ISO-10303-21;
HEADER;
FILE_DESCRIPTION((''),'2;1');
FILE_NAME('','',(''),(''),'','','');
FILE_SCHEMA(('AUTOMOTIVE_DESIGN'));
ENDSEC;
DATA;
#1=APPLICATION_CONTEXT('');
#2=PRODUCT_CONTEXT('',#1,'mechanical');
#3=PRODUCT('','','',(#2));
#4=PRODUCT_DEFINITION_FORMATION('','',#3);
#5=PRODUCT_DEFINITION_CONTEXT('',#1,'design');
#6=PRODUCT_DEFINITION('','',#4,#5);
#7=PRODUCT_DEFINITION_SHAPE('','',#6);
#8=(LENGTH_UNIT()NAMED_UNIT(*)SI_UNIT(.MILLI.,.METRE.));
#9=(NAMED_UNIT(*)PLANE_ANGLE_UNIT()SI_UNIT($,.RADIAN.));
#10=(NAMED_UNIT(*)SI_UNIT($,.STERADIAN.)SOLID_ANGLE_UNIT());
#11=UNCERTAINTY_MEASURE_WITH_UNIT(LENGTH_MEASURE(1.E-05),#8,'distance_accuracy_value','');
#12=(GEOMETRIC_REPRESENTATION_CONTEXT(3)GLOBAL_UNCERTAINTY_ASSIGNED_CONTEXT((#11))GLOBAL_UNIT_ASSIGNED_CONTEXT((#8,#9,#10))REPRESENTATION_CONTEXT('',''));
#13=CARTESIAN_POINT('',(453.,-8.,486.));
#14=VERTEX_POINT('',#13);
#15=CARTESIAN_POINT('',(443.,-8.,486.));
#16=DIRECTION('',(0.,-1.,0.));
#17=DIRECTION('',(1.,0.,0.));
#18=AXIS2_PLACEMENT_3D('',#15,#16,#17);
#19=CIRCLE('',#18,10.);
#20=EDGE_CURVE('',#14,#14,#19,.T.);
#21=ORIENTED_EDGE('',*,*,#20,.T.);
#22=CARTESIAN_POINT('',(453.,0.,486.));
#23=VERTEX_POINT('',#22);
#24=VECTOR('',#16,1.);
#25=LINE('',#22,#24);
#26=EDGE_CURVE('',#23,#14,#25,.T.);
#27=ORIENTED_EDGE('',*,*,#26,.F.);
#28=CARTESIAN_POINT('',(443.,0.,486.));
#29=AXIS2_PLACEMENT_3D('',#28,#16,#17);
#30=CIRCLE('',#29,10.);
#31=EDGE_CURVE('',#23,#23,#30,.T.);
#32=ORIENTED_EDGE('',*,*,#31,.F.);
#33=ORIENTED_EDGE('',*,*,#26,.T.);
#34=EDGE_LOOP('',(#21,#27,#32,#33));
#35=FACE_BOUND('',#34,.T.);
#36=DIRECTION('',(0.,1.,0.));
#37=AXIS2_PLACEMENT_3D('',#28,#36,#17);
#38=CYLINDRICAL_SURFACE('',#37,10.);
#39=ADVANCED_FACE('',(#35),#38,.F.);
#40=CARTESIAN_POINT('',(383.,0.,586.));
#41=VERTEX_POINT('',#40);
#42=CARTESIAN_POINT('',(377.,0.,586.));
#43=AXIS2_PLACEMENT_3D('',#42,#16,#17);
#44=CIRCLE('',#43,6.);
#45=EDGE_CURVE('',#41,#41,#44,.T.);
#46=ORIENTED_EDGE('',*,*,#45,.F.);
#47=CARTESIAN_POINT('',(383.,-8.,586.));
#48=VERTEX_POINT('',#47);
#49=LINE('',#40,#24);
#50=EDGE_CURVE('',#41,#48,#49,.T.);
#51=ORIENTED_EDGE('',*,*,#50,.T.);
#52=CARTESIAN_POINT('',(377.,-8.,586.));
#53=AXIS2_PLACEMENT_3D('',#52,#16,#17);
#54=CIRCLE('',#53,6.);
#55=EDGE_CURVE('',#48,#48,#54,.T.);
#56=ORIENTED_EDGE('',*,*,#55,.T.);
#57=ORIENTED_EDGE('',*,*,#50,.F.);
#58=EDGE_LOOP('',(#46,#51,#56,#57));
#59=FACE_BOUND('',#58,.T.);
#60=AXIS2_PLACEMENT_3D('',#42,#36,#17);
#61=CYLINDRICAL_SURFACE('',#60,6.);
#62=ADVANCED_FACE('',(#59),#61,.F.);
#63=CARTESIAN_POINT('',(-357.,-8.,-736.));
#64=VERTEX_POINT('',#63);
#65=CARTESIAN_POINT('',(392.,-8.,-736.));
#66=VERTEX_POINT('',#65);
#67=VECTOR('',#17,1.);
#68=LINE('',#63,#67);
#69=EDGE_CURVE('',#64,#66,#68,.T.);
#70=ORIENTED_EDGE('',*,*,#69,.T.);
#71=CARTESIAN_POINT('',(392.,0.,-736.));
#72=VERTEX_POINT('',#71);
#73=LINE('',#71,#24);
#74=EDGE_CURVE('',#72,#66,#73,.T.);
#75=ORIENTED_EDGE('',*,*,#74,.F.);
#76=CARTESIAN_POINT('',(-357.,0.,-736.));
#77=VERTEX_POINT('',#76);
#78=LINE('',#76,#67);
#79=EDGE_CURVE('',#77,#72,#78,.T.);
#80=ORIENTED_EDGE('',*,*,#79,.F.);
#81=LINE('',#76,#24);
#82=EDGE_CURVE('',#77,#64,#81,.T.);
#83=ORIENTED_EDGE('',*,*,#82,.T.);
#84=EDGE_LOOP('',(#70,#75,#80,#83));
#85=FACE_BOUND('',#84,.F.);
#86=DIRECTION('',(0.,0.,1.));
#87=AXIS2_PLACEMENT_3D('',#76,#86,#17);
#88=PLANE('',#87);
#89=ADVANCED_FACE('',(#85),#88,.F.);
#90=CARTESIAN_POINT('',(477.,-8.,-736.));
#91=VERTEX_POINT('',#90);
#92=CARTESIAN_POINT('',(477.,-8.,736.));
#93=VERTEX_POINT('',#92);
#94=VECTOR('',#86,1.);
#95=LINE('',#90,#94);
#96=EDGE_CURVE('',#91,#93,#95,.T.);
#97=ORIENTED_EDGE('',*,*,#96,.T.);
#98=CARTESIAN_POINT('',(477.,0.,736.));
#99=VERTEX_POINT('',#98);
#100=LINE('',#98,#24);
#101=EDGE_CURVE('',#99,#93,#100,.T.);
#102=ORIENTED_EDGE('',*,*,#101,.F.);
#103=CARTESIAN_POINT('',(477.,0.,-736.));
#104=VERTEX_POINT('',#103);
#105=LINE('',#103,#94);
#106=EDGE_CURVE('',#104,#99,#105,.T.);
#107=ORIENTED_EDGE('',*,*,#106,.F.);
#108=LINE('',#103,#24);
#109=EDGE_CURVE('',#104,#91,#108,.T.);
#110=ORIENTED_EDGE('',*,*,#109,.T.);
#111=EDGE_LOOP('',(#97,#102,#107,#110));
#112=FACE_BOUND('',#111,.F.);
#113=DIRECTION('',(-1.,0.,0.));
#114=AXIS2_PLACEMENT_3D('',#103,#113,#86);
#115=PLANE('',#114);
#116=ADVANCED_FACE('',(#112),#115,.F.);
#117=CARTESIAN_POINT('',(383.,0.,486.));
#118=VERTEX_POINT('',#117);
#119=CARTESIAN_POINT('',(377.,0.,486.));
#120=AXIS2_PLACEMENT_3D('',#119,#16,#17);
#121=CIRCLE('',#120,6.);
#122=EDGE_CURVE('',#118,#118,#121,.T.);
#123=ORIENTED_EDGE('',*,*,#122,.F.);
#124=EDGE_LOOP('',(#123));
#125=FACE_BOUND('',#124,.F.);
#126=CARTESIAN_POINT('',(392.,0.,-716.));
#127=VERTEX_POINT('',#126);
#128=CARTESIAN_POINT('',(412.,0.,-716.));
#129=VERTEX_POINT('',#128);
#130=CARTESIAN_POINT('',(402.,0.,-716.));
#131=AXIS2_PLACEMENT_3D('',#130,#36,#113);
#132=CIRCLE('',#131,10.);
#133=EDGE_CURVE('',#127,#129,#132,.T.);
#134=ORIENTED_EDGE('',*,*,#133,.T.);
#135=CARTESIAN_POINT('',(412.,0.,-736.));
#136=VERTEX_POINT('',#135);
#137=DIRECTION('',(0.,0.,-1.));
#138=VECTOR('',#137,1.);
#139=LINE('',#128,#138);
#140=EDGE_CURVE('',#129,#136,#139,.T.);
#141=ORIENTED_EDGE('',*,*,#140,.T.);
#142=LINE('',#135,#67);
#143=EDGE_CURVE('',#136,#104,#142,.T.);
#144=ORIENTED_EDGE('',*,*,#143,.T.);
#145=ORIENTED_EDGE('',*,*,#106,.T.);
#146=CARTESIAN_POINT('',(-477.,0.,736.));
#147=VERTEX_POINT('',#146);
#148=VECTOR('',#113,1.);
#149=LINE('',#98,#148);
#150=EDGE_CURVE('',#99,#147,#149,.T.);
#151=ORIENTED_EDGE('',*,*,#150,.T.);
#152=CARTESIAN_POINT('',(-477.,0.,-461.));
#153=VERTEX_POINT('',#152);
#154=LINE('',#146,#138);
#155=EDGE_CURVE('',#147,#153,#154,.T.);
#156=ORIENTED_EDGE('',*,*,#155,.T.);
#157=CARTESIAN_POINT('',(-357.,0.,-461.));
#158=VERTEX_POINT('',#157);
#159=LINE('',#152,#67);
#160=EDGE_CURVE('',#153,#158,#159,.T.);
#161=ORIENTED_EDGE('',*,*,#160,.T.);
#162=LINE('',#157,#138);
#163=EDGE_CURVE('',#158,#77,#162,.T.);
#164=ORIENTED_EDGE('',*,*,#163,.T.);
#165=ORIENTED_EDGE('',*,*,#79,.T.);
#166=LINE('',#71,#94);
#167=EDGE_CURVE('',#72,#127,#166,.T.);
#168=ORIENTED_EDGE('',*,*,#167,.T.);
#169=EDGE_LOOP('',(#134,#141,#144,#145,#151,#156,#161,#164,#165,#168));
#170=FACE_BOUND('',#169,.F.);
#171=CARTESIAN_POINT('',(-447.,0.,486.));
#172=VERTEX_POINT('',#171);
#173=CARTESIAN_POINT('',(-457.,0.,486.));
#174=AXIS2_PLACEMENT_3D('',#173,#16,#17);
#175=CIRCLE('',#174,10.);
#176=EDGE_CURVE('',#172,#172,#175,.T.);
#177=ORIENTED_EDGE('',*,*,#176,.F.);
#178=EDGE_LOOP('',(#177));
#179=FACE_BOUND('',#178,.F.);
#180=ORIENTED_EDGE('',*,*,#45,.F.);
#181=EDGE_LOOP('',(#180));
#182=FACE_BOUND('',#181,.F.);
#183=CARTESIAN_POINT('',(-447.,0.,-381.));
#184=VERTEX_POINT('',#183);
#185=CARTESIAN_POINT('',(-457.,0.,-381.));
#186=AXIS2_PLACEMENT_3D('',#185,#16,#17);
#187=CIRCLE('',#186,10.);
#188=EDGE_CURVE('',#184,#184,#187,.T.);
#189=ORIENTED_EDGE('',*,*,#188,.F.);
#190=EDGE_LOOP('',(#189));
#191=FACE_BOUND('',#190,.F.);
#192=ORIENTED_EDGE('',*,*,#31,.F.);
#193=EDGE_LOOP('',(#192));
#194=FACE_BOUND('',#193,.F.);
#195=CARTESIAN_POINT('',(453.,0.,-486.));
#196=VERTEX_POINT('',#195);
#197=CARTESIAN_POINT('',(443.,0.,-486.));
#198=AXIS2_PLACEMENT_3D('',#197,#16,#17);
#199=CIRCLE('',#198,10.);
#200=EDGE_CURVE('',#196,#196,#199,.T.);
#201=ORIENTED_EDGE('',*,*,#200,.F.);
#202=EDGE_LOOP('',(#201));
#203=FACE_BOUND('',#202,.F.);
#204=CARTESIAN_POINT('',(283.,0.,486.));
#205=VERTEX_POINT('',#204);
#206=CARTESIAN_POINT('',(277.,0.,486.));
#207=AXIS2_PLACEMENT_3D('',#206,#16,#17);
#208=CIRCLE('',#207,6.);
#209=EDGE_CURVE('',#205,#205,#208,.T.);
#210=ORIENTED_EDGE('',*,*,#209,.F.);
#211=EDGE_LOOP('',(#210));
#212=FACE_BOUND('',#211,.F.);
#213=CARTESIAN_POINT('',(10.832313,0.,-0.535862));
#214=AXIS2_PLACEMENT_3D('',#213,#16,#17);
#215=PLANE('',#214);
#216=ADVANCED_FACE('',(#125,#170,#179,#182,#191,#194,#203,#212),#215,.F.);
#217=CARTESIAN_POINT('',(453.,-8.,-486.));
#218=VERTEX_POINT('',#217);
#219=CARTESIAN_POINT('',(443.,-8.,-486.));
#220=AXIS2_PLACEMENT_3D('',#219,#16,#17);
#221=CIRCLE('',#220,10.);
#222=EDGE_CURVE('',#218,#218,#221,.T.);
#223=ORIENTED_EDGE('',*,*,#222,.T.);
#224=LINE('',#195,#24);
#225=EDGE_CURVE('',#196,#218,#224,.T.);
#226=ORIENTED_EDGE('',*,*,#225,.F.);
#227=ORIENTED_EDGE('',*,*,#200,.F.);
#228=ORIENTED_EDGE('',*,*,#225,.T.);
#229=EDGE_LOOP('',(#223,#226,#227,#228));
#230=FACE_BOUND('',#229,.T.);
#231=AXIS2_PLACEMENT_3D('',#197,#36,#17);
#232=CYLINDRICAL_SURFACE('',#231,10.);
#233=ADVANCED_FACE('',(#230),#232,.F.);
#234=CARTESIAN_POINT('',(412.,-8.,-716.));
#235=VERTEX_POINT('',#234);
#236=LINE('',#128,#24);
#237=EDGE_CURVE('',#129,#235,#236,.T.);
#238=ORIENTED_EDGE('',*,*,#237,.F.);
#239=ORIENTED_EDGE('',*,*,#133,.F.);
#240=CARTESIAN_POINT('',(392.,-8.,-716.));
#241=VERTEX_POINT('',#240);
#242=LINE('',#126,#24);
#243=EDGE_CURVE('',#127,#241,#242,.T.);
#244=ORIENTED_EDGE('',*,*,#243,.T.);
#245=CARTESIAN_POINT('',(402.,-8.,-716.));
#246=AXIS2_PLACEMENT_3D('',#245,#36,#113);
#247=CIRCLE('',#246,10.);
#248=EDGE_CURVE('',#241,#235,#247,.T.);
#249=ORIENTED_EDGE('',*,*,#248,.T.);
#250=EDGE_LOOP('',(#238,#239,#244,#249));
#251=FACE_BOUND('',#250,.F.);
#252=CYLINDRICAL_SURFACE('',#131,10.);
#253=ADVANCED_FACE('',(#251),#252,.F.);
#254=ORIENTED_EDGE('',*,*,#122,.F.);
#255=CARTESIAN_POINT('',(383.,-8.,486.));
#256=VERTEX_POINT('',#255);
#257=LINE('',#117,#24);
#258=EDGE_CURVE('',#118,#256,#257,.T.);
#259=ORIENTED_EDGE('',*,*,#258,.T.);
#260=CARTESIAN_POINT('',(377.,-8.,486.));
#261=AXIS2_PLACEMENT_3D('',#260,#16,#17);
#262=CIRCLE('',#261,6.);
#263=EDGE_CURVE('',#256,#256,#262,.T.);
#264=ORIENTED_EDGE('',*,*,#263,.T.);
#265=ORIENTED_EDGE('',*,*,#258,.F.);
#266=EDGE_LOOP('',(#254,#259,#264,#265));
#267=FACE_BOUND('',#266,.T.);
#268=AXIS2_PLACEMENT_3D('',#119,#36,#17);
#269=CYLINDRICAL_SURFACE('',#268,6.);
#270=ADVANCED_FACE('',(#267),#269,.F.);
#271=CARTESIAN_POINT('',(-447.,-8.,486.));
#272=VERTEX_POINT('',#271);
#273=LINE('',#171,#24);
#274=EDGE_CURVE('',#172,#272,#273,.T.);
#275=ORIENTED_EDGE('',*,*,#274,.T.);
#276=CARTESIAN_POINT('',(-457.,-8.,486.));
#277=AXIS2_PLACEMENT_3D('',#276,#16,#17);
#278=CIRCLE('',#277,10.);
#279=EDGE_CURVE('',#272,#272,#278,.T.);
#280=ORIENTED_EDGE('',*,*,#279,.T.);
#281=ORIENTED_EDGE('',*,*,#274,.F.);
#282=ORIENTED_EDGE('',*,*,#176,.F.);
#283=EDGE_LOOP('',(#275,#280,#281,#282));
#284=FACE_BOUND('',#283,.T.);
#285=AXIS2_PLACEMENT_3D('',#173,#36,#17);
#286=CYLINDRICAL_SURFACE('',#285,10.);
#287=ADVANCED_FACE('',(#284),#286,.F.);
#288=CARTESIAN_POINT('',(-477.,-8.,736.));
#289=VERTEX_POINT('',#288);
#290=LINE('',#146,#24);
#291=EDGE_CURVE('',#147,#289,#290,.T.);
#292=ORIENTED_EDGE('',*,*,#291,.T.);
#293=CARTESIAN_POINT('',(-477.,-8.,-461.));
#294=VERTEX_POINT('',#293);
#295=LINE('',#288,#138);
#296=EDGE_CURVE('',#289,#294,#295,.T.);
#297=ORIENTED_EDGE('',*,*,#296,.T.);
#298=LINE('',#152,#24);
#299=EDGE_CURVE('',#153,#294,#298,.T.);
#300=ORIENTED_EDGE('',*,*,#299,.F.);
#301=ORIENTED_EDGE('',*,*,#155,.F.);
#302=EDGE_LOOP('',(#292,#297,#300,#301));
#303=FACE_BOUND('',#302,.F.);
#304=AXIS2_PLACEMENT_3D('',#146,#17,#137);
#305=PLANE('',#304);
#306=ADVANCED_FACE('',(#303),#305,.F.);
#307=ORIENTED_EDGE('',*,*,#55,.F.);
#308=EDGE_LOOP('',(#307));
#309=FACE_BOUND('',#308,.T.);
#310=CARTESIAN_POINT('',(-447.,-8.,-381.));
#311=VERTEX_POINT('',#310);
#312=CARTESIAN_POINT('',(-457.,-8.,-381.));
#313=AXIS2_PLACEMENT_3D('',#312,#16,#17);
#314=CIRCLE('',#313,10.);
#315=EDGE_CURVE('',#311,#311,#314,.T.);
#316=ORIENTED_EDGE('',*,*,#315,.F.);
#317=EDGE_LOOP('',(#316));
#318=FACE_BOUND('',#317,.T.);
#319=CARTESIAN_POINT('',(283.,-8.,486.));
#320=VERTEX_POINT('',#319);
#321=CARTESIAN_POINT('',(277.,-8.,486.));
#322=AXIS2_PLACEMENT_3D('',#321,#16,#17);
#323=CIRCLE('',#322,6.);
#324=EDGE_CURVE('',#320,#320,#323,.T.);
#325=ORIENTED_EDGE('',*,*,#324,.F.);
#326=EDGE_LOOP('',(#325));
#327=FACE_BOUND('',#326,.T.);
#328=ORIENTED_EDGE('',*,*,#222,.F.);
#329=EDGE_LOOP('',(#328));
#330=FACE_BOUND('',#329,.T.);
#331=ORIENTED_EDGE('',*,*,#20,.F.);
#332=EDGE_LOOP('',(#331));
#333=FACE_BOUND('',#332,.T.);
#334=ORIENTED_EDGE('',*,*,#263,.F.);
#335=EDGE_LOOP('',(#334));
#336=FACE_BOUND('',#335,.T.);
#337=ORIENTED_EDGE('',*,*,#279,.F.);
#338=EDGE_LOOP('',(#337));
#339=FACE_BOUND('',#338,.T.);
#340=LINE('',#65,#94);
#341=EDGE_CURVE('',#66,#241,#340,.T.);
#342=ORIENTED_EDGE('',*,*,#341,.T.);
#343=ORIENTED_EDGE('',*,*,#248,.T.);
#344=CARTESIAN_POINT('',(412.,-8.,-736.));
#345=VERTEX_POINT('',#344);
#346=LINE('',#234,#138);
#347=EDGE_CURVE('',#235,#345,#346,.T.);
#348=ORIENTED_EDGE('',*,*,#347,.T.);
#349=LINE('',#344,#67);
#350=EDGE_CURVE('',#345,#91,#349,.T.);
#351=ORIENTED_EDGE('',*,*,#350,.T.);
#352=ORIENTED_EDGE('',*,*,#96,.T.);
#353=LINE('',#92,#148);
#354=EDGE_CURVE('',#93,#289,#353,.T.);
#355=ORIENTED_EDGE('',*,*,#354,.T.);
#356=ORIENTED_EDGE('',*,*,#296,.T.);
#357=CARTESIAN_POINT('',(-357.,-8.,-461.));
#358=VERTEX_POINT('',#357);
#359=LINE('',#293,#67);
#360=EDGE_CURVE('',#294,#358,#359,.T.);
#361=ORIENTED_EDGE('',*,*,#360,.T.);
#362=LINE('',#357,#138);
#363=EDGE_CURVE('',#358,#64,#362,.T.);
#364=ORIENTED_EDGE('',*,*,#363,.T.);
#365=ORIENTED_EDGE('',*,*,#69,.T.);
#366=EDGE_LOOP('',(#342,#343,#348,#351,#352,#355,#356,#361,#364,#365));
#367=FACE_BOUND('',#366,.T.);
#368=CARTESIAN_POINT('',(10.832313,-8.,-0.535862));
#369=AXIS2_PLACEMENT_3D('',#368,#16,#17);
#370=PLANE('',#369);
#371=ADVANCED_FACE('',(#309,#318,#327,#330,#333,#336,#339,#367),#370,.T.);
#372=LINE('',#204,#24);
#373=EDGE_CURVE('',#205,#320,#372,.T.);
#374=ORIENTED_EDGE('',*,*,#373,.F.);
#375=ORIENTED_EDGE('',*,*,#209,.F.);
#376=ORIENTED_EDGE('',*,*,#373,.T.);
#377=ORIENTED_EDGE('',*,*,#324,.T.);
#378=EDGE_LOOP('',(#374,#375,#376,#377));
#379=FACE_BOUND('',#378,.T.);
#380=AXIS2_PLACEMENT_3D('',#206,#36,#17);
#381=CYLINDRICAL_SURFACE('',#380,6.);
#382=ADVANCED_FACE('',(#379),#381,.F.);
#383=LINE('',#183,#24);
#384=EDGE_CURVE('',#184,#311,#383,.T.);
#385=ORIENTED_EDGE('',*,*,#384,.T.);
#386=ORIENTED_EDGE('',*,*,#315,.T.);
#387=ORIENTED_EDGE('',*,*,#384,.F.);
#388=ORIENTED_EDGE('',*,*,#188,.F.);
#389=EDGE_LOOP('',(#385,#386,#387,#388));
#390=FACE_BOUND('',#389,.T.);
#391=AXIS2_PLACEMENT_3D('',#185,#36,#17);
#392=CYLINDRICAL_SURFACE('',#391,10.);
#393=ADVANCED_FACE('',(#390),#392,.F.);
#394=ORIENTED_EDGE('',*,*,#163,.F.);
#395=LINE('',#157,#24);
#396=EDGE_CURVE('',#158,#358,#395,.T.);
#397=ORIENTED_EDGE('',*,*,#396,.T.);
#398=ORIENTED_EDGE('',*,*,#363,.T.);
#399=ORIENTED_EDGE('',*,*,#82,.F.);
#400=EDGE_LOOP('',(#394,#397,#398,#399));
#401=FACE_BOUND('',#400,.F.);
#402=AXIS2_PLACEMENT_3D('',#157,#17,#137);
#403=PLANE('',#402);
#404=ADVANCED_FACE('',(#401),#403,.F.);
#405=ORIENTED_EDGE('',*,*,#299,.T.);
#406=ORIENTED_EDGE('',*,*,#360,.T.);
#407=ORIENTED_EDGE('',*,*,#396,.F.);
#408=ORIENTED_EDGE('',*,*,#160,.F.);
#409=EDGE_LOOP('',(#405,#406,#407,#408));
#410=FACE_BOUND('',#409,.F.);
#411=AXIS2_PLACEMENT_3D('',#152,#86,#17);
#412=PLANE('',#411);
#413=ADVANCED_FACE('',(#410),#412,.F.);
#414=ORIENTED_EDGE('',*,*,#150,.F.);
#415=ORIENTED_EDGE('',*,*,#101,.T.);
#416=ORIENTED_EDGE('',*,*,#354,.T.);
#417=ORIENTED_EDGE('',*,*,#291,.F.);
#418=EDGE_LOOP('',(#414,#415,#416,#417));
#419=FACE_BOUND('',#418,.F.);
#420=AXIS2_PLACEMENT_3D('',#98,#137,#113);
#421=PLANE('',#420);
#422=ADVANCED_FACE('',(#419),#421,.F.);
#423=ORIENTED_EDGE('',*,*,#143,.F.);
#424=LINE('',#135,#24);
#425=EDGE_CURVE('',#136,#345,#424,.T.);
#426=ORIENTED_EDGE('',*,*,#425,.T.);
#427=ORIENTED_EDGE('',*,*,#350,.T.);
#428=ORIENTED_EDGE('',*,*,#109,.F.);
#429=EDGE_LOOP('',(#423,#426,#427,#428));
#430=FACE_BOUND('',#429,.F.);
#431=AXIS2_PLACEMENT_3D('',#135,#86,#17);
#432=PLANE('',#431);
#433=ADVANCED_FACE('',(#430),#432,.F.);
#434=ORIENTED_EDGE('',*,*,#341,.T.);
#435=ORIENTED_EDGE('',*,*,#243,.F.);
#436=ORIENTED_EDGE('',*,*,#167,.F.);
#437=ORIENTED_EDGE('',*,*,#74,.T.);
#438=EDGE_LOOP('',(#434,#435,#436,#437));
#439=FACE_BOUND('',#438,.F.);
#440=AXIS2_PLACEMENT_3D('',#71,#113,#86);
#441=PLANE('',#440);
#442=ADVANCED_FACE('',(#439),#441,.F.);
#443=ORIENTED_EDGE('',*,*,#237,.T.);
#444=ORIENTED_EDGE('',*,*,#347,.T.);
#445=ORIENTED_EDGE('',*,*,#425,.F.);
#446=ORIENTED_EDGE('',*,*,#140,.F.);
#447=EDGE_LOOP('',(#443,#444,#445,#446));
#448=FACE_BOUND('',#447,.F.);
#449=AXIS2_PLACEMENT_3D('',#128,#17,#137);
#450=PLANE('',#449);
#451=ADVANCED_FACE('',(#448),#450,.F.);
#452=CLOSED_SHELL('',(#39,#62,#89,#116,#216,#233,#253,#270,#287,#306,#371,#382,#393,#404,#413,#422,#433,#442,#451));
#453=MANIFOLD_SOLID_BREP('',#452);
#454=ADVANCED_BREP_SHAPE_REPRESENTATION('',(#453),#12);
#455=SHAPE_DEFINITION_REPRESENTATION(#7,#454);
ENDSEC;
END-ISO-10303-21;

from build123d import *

# Parameters (mm, degrees)
F0_R     = 10
F0_R_2   = 6
F1_DEPTH = 8


with BuildPart() as f1:
    # F0 (on Front) → F1 (new body)
    with BuildSketch(Plane.XZ):
        with BuildLine():
            Line((477, 736), (-477, 736))
            Line((-477, 736), (-477, -461))
            Line((-477, -461), (-357, -461))
            Line((-357, -461), (-357, -736))
            Line((-357, -736), (392, -736))
            Line((392, -736), (392, -716))
            ThreePointArc((392, -716), (402, -706), (412, -716))
            Line((412, -716), (412, -736))
            Line((412, -736), (477, -736))
            Line((477, -736), (477, 736))
        make_face()
        with Locations((-457, -381)):
            Circle(F0_R, mode=Mode.SUBTRACT)
        with Locations((443, -486)):
            Circle(F0_R, mode=Mode.SUBTRACT)
        with Locations((-457, 486)):
            Circle(F0_R, mode=Mode.SUBTRACT)
        with Locations((277, 486)):
            Circle(F0_R_2, mode=Mode.SUBTRACT)
        with Locations((377, 486)):
            Circle(F0_R_2, mode=Mode.SUBTRACT)
        with Locations((443, 486)):
            Circle(F0_R, mode=Mode.SUBTRACT)
        with Locations((377, 586)):
            Circle(F0_R_2, mode=Mode.SUBTRACT)
    extrude(amount=F1_DEPTH)


solid = f1.part
